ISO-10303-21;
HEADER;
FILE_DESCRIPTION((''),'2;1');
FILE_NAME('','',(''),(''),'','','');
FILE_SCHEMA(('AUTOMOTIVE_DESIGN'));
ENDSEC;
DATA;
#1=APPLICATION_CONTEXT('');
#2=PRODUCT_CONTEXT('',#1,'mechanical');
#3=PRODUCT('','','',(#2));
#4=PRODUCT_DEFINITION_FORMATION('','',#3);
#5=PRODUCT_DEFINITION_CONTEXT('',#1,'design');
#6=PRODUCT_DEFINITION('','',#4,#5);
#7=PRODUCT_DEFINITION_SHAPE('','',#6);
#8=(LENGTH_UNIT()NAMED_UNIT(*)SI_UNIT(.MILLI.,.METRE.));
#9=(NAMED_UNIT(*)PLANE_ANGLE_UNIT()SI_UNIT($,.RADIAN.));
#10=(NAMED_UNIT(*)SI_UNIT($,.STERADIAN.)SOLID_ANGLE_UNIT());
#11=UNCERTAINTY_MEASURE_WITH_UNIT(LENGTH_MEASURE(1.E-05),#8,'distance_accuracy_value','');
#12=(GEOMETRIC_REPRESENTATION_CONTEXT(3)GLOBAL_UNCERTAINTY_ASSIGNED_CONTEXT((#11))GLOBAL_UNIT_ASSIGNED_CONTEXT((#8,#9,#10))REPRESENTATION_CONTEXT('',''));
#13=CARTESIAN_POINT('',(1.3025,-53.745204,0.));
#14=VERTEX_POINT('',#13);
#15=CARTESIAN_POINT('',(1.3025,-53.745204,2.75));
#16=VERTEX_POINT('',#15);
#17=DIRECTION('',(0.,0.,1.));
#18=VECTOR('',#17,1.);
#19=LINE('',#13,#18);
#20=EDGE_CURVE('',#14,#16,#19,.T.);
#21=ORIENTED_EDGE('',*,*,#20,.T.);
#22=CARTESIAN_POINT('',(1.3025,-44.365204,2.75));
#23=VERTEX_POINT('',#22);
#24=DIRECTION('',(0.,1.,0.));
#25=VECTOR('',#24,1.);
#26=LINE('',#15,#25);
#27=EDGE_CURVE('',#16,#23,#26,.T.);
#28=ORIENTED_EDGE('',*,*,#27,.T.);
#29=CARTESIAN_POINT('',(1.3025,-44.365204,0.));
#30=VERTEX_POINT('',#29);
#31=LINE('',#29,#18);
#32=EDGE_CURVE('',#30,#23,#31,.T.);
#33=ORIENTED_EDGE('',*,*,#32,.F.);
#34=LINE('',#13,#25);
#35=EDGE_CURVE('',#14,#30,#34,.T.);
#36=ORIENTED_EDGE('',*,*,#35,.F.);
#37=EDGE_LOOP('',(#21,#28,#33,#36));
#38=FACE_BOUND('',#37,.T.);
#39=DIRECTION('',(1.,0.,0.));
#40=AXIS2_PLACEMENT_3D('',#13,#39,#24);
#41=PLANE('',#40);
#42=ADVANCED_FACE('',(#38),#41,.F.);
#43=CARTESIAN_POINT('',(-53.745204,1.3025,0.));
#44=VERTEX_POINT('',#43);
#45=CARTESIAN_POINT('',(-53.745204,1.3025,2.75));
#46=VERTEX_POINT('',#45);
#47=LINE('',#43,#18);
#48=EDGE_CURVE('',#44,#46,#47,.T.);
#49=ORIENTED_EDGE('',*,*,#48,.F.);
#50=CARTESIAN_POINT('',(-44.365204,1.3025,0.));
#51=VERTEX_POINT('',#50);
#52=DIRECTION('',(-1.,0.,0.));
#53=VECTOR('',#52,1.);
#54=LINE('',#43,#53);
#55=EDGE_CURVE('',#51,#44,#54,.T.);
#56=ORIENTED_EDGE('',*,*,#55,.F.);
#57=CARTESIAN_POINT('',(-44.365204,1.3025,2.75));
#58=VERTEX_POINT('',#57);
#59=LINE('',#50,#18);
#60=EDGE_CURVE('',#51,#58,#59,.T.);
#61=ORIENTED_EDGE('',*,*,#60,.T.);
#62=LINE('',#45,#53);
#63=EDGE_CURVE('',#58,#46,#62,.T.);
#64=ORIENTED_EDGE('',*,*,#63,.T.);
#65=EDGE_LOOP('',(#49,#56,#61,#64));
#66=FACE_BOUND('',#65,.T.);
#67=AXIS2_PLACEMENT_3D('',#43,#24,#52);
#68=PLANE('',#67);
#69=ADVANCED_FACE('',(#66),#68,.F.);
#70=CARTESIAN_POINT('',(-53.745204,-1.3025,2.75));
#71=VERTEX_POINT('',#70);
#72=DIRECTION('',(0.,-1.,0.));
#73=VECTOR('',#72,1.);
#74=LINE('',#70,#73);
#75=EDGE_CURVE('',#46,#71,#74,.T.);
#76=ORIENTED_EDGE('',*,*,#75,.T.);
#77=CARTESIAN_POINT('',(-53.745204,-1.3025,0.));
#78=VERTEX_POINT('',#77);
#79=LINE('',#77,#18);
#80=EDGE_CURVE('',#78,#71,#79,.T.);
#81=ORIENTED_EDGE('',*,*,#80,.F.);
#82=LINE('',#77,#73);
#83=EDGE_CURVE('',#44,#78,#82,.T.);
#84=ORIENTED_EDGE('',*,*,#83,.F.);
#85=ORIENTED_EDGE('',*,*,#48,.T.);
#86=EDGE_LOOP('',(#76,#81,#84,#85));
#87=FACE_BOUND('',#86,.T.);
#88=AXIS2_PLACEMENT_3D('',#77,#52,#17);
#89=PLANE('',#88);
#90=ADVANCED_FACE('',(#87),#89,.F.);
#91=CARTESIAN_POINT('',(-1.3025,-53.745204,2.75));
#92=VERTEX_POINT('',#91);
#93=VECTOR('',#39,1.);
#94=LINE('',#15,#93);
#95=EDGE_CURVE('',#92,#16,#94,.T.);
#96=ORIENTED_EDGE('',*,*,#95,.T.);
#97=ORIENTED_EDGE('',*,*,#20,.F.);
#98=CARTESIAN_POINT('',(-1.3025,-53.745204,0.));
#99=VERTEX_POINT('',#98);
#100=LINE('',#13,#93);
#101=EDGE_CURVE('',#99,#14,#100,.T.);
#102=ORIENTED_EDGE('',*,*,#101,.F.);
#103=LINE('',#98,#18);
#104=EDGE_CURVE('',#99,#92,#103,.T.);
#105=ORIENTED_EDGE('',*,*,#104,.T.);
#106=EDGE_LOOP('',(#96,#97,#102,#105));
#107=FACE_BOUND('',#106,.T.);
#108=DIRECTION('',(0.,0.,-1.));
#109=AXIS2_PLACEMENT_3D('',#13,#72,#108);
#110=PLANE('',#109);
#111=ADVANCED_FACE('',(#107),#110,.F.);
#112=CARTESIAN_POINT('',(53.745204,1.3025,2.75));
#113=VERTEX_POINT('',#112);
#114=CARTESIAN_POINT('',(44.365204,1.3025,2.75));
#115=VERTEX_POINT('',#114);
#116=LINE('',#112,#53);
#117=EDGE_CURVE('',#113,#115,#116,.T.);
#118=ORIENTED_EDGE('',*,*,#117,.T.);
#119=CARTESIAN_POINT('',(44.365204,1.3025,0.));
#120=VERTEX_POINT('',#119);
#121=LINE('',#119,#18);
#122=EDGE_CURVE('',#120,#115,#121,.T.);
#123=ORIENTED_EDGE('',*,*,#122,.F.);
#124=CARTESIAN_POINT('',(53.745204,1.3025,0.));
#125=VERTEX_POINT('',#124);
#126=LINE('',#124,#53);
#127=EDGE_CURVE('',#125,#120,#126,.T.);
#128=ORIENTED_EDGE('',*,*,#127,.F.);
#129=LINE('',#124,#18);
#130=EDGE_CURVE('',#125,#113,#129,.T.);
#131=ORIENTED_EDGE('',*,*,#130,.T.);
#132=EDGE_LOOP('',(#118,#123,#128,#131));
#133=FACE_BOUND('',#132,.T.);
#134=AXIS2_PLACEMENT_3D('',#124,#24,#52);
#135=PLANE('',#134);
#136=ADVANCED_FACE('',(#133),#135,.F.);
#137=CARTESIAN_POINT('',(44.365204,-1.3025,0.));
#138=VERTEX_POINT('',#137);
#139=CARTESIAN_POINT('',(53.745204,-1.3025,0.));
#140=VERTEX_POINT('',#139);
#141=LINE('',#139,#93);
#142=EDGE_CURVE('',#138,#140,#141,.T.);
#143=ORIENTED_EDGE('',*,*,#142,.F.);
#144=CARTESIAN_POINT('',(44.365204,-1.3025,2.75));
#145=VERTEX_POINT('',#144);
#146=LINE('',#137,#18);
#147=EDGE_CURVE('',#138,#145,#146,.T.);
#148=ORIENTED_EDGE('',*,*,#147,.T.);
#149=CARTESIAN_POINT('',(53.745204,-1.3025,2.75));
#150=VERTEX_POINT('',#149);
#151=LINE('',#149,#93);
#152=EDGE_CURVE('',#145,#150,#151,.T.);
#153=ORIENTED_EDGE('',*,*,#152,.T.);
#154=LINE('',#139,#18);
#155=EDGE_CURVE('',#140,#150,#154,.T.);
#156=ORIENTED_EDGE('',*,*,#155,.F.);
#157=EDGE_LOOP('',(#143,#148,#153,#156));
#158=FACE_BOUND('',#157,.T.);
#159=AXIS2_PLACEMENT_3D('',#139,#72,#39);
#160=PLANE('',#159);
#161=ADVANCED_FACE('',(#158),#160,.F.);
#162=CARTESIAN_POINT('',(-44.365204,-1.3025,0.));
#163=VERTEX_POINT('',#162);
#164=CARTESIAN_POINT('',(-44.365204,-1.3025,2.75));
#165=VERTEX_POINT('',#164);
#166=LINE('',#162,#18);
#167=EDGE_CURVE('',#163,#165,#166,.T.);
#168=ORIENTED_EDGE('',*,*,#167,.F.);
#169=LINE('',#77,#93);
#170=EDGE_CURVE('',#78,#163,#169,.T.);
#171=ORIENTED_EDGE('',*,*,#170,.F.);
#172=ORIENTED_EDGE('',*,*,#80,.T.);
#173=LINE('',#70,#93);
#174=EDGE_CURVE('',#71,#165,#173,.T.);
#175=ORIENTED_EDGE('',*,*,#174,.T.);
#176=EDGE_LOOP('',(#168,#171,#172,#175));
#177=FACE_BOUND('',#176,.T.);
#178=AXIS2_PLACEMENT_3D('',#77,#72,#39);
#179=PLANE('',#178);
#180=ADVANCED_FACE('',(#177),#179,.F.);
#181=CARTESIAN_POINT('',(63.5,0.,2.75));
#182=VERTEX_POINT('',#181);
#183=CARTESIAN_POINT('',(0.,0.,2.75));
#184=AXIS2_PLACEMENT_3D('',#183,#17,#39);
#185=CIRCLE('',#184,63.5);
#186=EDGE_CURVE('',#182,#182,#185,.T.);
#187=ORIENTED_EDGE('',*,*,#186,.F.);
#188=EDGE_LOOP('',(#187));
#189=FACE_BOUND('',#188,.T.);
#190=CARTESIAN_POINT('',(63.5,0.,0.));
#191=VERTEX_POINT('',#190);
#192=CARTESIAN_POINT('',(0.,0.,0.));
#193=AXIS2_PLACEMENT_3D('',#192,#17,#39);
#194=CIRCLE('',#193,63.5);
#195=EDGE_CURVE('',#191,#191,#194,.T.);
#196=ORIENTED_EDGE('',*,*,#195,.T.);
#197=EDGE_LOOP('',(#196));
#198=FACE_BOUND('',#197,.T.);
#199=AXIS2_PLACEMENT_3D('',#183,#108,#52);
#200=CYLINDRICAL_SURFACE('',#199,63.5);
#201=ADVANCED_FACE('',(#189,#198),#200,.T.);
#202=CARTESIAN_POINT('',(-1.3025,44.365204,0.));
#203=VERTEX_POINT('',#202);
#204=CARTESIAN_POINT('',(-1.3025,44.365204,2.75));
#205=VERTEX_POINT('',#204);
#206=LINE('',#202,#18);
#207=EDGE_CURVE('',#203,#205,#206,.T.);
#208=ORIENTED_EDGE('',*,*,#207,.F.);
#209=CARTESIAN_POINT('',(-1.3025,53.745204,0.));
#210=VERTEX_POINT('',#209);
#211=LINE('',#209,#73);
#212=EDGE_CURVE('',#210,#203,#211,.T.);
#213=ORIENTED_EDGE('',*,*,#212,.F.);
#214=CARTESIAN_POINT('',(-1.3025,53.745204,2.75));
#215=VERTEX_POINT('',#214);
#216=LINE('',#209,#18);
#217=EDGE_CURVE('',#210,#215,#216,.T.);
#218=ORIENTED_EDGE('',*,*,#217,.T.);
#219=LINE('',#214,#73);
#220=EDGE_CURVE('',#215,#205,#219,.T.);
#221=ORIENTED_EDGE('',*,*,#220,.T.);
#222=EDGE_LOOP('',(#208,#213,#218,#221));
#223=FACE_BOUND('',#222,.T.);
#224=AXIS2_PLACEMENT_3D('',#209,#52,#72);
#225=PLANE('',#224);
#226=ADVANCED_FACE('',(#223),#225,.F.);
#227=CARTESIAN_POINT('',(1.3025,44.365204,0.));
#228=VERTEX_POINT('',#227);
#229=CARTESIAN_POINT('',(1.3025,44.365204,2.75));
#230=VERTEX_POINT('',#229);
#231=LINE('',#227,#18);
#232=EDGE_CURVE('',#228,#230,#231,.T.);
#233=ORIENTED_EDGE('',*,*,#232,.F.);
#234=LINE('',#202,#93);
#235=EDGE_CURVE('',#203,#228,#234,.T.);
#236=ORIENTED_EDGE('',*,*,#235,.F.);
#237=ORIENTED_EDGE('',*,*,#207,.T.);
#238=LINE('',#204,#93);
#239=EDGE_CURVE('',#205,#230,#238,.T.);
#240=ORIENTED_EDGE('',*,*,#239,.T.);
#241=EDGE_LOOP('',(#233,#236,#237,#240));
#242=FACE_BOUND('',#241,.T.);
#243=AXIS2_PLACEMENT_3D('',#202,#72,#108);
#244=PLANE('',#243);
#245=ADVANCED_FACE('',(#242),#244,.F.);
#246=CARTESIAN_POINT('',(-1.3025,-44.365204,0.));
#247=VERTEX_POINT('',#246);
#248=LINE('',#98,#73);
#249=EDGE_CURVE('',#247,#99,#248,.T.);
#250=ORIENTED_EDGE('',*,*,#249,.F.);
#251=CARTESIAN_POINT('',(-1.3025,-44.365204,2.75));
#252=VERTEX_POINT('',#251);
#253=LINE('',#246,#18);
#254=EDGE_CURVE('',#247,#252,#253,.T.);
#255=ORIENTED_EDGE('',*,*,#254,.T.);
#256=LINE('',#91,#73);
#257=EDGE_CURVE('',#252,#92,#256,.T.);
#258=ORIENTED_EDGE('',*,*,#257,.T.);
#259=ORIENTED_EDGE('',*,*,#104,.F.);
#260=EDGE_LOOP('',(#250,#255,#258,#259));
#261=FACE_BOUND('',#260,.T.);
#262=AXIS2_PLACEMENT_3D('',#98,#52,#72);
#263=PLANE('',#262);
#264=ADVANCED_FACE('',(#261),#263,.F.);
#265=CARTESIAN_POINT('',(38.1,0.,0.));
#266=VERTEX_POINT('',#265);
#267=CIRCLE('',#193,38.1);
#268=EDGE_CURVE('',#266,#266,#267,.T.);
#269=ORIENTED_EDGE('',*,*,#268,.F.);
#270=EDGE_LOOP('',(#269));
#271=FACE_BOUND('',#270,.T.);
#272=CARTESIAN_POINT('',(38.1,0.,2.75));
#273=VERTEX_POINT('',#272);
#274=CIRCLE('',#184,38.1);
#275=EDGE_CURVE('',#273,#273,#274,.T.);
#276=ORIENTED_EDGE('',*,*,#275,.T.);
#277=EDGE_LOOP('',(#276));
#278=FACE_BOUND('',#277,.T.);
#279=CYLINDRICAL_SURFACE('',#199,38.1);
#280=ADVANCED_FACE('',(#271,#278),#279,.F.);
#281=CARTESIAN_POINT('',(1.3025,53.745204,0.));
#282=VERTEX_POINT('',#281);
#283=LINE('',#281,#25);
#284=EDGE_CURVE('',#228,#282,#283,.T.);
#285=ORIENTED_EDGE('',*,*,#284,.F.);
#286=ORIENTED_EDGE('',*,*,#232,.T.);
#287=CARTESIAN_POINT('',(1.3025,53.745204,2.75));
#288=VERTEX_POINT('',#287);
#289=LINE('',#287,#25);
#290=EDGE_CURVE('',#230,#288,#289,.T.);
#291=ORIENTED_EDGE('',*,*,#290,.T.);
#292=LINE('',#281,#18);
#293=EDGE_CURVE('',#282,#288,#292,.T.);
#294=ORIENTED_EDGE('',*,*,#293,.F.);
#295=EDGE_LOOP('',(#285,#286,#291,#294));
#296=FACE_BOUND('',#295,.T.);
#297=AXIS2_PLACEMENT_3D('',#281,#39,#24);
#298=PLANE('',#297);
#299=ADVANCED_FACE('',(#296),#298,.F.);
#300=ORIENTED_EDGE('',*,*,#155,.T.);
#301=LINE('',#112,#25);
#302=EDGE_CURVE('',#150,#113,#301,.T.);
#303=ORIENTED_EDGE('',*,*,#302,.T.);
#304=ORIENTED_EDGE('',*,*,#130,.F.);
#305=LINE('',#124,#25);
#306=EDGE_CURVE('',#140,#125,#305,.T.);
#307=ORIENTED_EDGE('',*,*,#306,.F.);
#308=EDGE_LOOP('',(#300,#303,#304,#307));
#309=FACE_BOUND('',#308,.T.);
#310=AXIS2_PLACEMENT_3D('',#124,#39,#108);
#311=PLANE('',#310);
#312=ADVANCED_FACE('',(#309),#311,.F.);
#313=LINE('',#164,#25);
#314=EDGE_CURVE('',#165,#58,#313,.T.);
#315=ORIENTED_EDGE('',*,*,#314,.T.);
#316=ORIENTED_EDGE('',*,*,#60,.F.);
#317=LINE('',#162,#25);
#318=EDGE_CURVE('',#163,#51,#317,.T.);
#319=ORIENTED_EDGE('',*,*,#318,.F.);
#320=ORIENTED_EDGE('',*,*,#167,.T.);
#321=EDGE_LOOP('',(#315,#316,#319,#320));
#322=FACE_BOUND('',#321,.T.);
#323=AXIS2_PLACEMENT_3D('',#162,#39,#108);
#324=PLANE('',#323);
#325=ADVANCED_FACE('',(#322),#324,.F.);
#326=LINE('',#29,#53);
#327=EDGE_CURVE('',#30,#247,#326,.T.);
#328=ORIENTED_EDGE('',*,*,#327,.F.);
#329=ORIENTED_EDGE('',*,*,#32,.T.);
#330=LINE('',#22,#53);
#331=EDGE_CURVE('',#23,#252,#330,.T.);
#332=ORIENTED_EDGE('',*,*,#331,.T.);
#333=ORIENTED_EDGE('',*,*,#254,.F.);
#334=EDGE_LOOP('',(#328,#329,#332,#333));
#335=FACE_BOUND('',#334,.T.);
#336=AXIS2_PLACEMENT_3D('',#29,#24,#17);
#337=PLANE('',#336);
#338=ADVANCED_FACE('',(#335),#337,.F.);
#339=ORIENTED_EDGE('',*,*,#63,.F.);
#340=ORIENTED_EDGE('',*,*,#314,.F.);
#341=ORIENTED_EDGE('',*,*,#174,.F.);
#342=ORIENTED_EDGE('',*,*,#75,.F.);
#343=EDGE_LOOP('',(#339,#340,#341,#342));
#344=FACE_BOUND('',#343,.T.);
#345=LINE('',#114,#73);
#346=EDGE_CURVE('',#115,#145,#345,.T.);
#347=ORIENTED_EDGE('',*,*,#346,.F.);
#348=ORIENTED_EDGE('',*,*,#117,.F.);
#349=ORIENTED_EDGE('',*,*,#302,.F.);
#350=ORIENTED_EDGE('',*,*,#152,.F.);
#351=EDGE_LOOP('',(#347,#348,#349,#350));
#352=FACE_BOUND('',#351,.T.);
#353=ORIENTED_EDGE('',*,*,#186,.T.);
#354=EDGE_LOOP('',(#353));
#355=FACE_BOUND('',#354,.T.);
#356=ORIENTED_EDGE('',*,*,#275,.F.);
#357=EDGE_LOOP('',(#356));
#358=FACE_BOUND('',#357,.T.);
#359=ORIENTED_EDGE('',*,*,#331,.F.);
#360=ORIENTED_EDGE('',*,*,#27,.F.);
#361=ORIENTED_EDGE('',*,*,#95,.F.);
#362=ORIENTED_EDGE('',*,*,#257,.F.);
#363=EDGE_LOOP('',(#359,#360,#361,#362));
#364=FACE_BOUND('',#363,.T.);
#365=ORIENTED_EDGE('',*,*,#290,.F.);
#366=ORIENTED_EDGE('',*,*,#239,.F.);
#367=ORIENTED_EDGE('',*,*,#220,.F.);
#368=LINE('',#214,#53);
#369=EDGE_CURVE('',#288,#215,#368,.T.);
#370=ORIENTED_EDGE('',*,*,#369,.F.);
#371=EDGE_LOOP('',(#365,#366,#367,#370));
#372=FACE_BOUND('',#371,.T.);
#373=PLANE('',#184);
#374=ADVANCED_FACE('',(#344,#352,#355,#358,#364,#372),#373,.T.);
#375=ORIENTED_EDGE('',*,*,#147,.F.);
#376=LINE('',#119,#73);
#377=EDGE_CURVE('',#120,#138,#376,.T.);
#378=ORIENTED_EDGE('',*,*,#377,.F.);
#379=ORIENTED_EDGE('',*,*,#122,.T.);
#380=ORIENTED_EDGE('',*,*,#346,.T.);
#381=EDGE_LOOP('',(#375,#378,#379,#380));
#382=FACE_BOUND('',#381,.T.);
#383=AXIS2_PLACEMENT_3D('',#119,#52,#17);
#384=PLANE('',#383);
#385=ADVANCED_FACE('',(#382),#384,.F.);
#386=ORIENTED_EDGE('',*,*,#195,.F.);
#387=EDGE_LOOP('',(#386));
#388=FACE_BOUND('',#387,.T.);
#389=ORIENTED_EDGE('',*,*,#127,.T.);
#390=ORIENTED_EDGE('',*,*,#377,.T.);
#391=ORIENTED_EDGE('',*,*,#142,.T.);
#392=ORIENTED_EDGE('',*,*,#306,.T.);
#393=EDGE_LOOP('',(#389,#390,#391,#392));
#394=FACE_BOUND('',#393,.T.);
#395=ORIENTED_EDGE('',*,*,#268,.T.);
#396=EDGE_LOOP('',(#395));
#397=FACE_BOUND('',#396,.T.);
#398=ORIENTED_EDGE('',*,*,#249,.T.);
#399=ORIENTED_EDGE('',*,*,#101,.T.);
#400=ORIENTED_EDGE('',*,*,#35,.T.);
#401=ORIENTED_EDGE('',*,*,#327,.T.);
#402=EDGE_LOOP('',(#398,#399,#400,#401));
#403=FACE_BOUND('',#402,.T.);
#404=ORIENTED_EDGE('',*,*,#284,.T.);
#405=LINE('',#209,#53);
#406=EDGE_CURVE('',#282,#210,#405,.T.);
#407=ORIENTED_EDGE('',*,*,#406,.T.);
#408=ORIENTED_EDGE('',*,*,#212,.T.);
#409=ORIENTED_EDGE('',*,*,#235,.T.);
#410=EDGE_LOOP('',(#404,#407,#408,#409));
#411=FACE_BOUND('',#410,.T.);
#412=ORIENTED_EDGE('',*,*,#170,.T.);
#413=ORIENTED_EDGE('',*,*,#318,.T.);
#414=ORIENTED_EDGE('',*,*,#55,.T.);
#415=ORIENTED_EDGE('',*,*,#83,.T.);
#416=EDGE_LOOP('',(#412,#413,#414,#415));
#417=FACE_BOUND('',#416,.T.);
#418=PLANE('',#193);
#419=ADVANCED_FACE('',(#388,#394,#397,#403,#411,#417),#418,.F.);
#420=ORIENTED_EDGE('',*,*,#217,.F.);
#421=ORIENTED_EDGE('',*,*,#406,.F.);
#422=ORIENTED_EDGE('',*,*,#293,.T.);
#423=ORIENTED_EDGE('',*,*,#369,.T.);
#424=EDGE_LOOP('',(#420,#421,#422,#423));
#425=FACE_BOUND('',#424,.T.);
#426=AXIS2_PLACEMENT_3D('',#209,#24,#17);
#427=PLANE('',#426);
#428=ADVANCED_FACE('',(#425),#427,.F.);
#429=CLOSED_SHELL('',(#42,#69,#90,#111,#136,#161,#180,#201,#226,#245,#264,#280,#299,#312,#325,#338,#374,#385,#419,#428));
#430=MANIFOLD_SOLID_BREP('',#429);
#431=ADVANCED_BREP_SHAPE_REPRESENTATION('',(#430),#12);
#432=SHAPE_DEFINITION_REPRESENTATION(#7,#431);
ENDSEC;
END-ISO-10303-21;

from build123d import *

# Parameters (mm, degrees)
SKETCH1_R           = 63.5
SKETCH1_R_2         = 38.1
BOSS_EXTRUDE1_DEPTH = 2.750000088
SKETCH2_W           = 9.380000036
SKETCH2_H           = 2.605000124
SKETCH2_W_2         = 2.605000124
SKETCH2_H_2         = 9.380000036
CUT_EXTRUDE1_DEPTH  = 90.844657607


with BuildPart() as part:
    # Sketch1 → Boss-Extrude1 (new body)
    with BuildSketch(Plane(origin=(0, 0, 0), x_dir=(0, 1, 0), z_dir=(0, 0, 1))):
        with Locations(Location((0, 0, 0), (0, 0, 270))):
            Circle(SKETCH1_R)
        with Locations(Location((0, 0, 0), (0, 0, 270))):
            Circle(SKETCH1_R_2, mode=Mode.SUBTRACT)
    extrude(amount=BOSS_EXTRUDE1_DEPTH)

    # Sketch2 → Cut-Extrude1 (cut, through all)
    with BuildSketch(Plane.XY.offset(2.750000088)):
        with Locations((49.055203892, 0)):
            Rectangle(SKETCH2_W, SKETCH2_H)
        with Locations((0, 49.055203892)):
            Rectangle(SKETCH2_W_2, SKETCH2_H_2)
        with Locations((0, -49.055203892)):
            Rectangle(SKETCH2_W_2, SKETCH2_H_2)
        with Locations((-49.055203892, 0)):
            Rectangle(SKETCH2_W, SKETCH2_H)
    extrude(amount=-CUT_EXTRUDE1_DEPTH, mode=Mode.SUBTRACT)


solid = part.part
